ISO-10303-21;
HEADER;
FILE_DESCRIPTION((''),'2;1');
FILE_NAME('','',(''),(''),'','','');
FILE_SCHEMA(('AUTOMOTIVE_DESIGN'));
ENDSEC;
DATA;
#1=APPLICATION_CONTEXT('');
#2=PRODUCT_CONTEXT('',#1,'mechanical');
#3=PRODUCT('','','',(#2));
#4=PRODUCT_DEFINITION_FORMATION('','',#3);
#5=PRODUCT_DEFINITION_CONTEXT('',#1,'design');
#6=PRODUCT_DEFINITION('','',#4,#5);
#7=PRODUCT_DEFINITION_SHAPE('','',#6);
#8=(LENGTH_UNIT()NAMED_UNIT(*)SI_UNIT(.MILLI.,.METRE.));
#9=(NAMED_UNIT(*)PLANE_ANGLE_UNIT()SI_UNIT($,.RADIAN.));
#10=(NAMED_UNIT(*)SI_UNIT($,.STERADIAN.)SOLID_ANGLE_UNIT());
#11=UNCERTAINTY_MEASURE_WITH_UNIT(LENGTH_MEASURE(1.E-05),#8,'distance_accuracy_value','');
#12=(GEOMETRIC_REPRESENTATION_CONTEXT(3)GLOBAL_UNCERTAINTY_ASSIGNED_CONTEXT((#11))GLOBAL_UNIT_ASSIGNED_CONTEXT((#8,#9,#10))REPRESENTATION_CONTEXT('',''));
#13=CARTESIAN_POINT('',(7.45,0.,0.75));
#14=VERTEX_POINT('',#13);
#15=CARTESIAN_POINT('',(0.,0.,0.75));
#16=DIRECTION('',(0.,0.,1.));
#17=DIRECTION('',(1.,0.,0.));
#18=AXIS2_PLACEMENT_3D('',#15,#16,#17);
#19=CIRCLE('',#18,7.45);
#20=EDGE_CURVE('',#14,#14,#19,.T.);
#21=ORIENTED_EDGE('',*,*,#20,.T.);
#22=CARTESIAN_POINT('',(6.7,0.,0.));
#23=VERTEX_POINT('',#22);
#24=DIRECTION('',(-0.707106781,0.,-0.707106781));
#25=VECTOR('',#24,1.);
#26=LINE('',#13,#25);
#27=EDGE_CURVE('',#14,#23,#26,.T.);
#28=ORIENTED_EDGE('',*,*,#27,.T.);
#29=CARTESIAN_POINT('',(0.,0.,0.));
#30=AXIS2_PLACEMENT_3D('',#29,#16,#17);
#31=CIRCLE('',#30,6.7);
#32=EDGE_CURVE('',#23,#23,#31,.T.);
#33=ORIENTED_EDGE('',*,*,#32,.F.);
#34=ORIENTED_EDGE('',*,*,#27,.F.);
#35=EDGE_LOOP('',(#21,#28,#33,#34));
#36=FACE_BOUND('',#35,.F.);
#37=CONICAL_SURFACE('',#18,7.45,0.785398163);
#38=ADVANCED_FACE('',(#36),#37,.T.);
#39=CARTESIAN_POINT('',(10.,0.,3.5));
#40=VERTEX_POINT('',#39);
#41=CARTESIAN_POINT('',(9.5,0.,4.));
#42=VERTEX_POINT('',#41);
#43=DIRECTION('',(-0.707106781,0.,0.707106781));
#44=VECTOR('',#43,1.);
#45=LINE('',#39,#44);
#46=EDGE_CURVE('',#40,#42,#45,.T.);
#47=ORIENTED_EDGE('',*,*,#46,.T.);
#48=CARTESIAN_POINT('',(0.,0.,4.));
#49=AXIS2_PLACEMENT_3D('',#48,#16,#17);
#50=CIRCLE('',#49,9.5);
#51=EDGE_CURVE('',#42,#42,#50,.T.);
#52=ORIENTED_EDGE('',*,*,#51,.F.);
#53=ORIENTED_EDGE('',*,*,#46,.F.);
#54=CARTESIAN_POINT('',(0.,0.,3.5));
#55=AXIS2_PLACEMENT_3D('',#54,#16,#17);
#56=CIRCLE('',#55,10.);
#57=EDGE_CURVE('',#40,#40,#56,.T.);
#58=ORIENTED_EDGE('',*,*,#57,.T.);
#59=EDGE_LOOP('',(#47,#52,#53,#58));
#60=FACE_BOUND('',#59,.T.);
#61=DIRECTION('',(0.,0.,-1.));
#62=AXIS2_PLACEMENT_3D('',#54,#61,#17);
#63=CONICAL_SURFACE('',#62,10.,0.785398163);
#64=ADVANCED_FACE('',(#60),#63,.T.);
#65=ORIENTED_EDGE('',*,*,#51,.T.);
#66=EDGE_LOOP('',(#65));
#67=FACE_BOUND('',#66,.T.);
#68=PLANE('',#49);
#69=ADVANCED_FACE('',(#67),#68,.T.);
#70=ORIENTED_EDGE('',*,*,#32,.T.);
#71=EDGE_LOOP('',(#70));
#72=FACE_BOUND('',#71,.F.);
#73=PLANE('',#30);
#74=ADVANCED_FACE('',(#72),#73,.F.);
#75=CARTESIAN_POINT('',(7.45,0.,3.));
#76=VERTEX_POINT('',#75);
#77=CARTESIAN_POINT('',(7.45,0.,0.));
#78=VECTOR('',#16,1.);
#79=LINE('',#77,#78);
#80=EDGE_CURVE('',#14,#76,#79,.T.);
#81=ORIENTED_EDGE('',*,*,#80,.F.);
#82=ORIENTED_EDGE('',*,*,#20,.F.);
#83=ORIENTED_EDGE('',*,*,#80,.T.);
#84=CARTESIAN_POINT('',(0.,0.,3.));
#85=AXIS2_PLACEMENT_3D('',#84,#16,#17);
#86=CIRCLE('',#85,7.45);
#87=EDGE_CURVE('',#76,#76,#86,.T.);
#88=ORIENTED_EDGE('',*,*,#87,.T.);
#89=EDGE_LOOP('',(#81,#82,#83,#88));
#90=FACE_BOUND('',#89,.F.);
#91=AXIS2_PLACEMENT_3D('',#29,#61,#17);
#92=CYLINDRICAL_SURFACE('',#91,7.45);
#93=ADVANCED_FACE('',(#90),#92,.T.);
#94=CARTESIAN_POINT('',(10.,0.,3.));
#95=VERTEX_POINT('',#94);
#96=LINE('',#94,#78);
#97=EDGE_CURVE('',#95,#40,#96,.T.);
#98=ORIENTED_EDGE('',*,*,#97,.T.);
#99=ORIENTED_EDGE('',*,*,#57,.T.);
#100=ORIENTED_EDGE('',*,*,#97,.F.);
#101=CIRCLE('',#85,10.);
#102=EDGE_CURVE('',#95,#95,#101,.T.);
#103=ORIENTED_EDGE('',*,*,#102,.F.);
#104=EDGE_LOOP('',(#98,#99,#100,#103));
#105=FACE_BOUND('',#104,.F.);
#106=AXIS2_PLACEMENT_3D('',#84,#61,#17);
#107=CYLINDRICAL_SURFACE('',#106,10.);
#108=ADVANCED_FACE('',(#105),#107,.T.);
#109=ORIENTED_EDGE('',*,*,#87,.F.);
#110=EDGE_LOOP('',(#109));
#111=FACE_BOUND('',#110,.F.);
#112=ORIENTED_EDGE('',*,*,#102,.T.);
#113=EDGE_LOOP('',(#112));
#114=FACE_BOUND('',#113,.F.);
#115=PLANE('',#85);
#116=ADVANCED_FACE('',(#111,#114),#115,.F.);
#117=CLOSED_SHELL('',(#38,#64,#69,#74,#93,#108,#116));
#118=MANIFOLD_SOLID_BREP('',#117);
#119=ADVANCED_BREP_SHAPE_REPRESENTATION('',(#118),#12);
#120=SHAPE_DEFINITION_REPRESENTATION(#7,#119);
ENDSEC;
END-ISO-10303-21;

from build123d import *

# Parameters (mm, degrees)
F0_R     = 7.45
F1_DEPTH = 3
F2_R     = 10
F2_R_2   = 7.45
F3_DEPTH = 1
F4_SIZE  = 0.75
F5_SIZE  = 0.5


with BuildPart() as f1:
    # F0 (on Top) → F1 (new body)
    with BuildSketch(Plane.XY):
        Circle(F0_R)
    extrude(amount=F1_DEPTH)

    # F2 (on face) → F3 (join)
    with BuildSketch(Plane.XY.offset(3)):
        Circle(F2_R)
        Circle(F2_R_2, mode=Mode.SUBTRACT)
        Circle(F2_R_2)
    extrude(amount=F3_DEPTH)

    # F4
    f4_edges = [f1.edges().sort_by_distance(p)[0] for p in [
        (-7.45, 0, 0),
    ]]
    chamfer(f4_edges, length=F4_SIZE)

    # F5
    f5_edges = [f1.edges().sort_by_distance(p)[0] for p in [
        (-10, 0, 4),
    ]]
    chamfer(f5_edges, length=F5_SIZE)


solid = f1.part
